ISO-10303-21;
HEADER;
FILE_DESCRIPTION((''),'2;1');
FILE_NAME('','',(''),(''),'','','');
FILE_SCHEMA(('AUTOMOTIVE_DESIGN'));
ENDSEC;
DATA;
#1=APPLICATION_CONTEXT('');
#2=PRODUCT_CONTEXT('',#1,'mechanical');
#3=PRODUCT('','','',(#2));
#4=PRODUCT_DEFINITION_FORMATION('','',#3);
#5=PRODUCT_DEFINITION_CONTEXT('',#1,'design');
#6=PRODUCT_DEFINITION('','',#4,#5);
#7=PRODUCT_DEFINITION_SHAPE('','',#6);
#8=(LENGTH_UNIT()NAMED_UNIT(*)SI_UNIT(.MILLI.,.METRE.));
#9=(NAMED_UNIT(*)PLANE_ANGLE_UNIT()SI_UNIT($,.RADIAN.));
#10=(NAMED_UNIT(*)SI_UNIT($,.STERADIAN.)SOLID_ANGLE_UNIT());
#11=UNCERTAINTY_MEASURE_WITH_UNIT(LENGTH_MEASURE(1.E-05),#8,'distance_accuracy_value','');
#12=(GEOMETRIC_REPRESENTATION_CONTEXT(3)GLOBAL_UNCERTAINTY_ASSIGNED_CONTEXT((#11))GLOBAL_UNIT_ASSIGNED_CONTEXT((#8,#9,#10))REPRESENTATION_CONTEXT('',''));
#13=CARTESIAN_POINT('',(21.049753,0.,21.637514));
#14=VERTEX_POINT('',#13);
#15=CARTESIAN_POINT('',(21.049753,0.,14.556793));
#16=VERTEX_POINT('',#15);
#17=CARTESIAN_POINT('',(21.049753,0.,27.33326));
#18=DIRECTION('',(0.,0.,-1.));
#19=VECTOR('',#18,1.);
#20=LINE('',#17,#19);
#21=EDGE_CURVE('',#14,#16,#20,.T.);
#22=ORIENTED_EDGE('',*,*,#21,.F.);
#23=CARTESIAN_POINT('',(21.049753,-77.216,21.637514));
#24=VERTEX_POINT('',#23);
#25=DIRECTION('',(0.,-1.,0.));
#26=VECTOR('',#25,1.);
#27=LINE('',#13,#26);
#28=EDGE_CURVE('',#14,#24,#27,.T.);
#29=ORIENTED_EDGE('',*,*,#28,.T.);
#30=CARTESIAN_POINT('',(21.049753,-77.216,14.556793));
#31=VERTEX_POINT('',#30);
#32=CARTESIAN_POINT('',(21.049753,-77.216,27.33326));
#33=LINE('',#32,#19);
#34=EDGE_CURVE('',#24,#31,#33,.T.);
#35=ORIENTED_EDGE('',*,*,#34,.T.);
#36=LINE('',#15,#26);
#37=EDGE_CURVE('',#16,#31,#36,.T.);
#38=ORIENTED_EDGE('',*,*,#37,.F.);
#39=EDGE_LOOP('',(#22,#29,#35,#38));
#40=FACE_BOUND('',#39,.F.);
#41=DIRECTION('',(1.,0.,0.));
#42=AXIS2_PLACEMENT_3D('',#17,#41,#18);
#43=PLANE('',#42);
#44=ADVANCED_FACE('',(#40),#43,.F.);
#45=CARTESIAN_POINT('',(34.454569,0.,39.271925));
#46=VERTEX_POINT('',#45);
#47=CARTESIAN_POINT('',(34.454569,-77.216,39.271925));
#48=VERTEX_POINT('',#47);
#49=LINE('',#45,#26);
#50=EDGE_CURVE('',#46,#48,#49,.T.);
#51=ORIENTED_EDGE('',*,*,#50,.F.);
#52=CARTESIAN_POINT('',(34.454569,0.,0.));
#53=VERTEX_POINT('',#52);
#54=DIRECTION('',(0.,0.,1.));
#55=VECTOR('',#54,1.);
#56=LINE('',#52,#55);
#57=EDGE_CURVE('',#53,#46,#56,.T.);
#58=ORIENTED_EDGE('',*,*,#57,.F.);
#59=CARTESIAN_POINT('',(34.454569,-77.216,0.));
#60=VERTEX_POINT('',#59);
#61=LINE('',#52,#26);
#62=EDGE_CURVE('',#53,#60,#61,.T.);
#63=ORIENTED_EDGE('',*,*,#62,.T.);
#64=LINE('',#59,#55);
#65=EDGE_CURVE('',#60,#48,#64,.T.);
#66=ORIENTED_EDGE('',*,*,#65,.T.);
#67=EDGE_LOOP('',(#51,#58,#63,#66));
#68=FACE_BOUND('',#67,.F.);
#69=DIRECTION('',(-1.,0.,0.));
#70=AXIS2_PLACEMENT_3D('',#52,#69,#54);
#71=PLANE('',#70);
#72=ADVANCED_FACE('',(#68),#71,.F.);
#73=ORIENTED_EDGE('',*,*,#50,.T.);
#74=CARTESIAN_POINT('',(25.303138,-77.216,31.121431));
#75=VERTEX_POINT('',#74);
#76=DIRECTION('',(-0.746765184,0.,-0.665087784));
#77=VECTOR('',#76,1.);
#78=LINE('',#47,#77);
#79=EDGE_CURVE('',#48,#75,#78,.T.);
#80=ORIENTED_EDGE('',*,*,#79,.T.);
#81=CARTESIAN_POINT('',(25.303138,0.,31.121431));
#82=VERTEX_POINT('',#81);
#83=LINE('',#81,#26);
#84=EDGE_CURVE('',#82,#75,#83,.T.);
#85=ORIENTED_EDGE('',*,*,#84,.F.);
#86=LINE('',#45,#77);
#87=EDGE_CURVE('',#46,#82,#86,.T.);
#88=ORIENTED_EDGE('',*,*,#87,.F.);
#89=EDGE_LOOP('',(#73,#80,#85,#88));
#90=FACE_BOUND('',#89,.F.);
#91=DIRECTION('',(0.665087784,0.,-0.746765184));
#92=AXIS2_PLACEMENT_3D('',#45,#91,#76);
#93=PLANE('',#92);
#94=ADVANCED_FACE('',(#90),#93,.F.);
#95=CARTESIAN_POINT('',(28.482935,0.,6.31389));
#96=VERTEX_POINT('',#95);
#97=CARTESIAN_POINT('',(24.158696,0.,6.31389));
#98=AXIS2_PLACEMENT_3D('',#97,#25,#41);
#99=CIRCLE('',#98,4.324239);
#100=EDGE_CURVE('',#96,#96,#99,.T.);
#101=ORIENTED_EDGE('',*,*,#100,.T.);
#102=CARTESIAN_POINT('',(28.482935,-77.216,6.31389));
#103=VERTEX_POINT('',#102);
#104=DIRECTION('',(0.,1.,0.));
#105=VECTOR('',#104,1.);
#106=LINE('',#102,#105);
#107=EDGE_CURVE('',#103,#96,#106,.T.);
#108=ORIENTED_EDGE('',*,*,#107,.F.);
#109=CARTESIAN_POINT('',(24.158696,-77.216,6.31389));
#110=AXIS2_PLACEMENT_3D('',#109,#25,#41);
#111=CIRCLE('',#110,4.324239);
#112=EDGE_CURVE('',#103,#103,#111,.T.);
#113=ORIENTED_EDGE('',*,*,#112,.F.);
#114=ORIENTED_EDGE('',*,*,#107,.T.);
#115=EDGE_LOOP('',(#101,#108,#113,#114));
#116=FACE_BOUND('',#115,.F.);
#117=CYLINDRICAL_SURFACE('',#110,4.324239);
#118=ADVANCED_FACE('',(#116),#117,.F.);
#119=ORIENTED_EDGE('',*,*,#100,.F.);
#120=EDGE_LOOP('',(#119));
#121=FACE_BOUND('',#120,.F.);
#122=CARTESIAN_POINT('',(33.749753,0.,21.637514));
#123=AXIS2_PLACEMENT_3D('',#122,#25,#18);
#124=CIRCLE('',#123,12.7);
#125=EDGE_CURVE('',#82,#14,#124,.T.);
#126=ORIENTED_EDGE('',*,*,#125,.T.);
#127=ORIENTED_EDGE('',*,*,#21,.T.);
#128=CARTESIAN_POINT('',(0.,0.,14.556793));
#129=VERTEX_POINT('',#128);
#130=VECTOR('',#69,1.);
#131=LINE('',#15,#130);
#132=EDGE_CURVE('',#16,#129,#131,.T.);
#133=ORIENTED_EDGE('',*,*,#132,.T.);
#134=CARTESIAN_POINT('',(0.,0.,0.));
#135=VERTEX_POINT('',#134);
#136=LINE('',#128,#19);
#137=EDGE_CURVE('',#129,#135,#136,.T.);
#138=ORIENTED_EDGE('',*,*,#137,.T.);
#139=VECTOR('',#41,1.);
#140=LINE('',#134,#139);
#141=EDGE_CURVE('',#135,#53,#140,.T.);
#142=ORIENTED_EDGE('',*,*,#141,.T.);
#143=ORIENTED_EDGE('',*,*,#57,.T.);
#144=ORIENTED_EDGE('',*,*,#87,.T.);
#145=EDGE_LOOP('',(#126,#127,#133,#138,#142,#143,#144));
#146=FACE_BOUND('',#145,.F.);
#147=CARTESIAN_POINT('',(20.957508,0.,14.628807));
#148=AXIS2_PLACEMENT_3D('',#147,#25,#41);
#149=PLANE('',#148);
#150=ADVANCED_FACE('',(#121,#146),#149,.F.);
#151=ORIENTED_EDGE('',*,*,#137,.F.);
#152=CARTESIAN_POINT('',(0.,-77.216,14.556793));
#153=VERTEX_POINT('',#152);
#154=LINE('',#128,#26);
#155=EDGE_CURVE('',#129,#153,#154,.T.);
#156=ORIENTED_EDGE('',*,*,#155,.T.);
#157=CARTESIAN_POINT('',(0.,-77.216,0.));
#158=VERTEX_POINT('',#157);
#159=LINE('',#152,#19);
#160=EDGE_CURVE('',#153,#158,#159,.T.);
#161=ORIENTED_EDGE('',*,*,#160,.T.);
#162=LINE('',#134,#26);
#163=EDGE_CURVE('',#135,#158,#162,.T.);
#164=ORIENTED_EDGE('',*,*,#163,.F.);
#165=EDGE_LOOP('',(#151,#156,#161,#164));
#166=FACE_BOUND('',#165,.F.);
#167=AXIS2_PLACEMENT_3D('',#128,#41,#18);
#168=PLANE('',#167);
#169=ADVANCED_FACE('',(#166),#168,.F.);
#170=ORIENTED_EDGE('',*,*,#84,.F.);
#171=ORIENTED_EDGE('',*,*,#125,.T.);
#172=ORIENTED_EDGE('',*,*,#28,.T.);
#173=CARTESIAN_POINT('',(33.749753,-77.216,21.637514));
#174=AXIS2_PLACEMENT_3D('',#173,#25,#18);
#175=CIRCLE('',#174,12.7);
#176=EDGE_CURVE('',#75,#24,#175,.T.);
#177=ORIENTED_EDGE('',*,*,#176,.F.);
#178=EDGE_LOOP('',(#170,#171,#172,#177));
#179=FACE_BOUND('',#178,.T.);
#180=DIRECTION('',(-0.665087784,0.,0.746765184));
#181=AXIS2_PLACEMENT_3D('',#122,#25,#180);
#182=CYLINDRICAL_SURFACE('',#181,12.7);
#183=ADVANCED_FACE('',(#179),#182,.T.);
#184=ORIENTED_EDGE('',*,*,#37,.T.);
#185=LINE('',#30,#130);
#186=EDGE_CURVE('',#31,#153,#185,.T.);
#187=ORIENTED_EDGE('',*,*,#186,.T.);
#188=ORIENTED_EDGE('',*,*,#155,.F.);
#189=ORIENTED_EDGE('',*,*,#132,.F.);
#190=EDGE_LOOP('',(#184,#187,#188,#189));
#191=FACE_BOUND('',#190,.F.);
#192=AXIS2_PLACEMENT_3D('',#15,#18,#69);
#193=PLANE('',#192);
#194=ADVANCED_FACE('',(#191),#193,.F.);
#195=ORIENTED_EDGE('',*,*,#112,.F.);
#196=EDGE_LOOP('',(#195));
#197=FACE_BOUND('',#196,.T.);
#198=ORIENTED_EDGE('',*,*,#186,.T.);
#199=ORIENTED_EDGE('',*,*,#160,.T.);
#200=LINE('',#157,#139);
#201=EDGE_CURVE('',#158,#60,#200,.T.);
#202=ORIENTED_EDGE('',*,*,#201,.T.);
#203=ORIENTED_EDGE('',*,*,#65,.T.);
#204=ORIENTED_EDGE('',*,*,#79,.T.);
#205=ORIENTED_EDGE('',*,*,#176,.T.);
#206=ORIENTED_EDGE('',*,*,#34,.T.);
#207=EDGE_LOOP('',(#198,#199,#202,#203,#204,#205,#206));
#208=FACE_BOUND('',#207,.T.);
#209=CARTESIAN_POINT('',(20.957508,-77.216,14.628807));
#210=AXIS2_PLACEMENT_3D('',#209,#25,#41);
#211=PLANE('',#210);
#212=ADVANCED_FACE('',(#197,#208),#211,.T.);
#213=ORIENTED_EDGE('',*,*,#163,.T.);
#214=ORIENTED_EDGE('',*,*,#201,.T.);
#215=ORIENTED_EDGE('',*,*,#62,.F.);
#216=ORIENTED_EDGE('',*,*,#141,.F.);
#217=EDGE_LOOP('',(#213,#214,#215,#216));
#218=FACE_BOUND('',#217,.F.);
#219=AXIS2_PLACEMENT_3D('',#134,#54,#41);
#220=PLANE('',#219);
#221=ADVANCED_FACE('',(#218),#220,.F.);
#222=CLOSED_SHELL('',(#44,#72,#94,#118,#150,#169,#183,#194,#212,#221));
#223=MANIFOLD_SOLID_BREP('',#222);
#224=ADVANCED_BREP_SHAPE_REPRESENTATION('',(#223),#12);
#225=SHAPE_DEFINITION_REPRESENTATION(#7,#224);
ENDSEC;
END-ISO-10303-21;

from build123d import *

# Parameters (mm, degrees)
F1_DEPTH = 77.216
F2_R     = 12.7
F3_R     = 4.324239
F4_DEPTH = 77.216


with BuildPart() as f1:
    # F0 (on Front) → F1 (new body)
    with BuildSketch(Plane.XZ):
        Polygon((0, 14.556793), (0, 0), (34.454569, 0), (34.454569, 39.271925), (21.049753, 27.33326), (21.049753, 14.556793), align=None)
    extrude(amount=F1_DEPTH)

    # F2
    f2_edges = [f1.edges().sort_by_distance(p)[0] for p in [
        (21.049753, -38.608, 27.33326),
    ]]
    fillet(f2_edges, radius=F2_R)

    # F3 (on face) → F4 (cut, through all)
    with BuildSketch(Plane.XZ.offset(77.216)):
        with Locations((24.158696, 6.31389)):
            Circle(F3_R)
    extrude(amount=-F4_DEPTH, mode=Mode.SUBTRACT)


solid = f1.part
